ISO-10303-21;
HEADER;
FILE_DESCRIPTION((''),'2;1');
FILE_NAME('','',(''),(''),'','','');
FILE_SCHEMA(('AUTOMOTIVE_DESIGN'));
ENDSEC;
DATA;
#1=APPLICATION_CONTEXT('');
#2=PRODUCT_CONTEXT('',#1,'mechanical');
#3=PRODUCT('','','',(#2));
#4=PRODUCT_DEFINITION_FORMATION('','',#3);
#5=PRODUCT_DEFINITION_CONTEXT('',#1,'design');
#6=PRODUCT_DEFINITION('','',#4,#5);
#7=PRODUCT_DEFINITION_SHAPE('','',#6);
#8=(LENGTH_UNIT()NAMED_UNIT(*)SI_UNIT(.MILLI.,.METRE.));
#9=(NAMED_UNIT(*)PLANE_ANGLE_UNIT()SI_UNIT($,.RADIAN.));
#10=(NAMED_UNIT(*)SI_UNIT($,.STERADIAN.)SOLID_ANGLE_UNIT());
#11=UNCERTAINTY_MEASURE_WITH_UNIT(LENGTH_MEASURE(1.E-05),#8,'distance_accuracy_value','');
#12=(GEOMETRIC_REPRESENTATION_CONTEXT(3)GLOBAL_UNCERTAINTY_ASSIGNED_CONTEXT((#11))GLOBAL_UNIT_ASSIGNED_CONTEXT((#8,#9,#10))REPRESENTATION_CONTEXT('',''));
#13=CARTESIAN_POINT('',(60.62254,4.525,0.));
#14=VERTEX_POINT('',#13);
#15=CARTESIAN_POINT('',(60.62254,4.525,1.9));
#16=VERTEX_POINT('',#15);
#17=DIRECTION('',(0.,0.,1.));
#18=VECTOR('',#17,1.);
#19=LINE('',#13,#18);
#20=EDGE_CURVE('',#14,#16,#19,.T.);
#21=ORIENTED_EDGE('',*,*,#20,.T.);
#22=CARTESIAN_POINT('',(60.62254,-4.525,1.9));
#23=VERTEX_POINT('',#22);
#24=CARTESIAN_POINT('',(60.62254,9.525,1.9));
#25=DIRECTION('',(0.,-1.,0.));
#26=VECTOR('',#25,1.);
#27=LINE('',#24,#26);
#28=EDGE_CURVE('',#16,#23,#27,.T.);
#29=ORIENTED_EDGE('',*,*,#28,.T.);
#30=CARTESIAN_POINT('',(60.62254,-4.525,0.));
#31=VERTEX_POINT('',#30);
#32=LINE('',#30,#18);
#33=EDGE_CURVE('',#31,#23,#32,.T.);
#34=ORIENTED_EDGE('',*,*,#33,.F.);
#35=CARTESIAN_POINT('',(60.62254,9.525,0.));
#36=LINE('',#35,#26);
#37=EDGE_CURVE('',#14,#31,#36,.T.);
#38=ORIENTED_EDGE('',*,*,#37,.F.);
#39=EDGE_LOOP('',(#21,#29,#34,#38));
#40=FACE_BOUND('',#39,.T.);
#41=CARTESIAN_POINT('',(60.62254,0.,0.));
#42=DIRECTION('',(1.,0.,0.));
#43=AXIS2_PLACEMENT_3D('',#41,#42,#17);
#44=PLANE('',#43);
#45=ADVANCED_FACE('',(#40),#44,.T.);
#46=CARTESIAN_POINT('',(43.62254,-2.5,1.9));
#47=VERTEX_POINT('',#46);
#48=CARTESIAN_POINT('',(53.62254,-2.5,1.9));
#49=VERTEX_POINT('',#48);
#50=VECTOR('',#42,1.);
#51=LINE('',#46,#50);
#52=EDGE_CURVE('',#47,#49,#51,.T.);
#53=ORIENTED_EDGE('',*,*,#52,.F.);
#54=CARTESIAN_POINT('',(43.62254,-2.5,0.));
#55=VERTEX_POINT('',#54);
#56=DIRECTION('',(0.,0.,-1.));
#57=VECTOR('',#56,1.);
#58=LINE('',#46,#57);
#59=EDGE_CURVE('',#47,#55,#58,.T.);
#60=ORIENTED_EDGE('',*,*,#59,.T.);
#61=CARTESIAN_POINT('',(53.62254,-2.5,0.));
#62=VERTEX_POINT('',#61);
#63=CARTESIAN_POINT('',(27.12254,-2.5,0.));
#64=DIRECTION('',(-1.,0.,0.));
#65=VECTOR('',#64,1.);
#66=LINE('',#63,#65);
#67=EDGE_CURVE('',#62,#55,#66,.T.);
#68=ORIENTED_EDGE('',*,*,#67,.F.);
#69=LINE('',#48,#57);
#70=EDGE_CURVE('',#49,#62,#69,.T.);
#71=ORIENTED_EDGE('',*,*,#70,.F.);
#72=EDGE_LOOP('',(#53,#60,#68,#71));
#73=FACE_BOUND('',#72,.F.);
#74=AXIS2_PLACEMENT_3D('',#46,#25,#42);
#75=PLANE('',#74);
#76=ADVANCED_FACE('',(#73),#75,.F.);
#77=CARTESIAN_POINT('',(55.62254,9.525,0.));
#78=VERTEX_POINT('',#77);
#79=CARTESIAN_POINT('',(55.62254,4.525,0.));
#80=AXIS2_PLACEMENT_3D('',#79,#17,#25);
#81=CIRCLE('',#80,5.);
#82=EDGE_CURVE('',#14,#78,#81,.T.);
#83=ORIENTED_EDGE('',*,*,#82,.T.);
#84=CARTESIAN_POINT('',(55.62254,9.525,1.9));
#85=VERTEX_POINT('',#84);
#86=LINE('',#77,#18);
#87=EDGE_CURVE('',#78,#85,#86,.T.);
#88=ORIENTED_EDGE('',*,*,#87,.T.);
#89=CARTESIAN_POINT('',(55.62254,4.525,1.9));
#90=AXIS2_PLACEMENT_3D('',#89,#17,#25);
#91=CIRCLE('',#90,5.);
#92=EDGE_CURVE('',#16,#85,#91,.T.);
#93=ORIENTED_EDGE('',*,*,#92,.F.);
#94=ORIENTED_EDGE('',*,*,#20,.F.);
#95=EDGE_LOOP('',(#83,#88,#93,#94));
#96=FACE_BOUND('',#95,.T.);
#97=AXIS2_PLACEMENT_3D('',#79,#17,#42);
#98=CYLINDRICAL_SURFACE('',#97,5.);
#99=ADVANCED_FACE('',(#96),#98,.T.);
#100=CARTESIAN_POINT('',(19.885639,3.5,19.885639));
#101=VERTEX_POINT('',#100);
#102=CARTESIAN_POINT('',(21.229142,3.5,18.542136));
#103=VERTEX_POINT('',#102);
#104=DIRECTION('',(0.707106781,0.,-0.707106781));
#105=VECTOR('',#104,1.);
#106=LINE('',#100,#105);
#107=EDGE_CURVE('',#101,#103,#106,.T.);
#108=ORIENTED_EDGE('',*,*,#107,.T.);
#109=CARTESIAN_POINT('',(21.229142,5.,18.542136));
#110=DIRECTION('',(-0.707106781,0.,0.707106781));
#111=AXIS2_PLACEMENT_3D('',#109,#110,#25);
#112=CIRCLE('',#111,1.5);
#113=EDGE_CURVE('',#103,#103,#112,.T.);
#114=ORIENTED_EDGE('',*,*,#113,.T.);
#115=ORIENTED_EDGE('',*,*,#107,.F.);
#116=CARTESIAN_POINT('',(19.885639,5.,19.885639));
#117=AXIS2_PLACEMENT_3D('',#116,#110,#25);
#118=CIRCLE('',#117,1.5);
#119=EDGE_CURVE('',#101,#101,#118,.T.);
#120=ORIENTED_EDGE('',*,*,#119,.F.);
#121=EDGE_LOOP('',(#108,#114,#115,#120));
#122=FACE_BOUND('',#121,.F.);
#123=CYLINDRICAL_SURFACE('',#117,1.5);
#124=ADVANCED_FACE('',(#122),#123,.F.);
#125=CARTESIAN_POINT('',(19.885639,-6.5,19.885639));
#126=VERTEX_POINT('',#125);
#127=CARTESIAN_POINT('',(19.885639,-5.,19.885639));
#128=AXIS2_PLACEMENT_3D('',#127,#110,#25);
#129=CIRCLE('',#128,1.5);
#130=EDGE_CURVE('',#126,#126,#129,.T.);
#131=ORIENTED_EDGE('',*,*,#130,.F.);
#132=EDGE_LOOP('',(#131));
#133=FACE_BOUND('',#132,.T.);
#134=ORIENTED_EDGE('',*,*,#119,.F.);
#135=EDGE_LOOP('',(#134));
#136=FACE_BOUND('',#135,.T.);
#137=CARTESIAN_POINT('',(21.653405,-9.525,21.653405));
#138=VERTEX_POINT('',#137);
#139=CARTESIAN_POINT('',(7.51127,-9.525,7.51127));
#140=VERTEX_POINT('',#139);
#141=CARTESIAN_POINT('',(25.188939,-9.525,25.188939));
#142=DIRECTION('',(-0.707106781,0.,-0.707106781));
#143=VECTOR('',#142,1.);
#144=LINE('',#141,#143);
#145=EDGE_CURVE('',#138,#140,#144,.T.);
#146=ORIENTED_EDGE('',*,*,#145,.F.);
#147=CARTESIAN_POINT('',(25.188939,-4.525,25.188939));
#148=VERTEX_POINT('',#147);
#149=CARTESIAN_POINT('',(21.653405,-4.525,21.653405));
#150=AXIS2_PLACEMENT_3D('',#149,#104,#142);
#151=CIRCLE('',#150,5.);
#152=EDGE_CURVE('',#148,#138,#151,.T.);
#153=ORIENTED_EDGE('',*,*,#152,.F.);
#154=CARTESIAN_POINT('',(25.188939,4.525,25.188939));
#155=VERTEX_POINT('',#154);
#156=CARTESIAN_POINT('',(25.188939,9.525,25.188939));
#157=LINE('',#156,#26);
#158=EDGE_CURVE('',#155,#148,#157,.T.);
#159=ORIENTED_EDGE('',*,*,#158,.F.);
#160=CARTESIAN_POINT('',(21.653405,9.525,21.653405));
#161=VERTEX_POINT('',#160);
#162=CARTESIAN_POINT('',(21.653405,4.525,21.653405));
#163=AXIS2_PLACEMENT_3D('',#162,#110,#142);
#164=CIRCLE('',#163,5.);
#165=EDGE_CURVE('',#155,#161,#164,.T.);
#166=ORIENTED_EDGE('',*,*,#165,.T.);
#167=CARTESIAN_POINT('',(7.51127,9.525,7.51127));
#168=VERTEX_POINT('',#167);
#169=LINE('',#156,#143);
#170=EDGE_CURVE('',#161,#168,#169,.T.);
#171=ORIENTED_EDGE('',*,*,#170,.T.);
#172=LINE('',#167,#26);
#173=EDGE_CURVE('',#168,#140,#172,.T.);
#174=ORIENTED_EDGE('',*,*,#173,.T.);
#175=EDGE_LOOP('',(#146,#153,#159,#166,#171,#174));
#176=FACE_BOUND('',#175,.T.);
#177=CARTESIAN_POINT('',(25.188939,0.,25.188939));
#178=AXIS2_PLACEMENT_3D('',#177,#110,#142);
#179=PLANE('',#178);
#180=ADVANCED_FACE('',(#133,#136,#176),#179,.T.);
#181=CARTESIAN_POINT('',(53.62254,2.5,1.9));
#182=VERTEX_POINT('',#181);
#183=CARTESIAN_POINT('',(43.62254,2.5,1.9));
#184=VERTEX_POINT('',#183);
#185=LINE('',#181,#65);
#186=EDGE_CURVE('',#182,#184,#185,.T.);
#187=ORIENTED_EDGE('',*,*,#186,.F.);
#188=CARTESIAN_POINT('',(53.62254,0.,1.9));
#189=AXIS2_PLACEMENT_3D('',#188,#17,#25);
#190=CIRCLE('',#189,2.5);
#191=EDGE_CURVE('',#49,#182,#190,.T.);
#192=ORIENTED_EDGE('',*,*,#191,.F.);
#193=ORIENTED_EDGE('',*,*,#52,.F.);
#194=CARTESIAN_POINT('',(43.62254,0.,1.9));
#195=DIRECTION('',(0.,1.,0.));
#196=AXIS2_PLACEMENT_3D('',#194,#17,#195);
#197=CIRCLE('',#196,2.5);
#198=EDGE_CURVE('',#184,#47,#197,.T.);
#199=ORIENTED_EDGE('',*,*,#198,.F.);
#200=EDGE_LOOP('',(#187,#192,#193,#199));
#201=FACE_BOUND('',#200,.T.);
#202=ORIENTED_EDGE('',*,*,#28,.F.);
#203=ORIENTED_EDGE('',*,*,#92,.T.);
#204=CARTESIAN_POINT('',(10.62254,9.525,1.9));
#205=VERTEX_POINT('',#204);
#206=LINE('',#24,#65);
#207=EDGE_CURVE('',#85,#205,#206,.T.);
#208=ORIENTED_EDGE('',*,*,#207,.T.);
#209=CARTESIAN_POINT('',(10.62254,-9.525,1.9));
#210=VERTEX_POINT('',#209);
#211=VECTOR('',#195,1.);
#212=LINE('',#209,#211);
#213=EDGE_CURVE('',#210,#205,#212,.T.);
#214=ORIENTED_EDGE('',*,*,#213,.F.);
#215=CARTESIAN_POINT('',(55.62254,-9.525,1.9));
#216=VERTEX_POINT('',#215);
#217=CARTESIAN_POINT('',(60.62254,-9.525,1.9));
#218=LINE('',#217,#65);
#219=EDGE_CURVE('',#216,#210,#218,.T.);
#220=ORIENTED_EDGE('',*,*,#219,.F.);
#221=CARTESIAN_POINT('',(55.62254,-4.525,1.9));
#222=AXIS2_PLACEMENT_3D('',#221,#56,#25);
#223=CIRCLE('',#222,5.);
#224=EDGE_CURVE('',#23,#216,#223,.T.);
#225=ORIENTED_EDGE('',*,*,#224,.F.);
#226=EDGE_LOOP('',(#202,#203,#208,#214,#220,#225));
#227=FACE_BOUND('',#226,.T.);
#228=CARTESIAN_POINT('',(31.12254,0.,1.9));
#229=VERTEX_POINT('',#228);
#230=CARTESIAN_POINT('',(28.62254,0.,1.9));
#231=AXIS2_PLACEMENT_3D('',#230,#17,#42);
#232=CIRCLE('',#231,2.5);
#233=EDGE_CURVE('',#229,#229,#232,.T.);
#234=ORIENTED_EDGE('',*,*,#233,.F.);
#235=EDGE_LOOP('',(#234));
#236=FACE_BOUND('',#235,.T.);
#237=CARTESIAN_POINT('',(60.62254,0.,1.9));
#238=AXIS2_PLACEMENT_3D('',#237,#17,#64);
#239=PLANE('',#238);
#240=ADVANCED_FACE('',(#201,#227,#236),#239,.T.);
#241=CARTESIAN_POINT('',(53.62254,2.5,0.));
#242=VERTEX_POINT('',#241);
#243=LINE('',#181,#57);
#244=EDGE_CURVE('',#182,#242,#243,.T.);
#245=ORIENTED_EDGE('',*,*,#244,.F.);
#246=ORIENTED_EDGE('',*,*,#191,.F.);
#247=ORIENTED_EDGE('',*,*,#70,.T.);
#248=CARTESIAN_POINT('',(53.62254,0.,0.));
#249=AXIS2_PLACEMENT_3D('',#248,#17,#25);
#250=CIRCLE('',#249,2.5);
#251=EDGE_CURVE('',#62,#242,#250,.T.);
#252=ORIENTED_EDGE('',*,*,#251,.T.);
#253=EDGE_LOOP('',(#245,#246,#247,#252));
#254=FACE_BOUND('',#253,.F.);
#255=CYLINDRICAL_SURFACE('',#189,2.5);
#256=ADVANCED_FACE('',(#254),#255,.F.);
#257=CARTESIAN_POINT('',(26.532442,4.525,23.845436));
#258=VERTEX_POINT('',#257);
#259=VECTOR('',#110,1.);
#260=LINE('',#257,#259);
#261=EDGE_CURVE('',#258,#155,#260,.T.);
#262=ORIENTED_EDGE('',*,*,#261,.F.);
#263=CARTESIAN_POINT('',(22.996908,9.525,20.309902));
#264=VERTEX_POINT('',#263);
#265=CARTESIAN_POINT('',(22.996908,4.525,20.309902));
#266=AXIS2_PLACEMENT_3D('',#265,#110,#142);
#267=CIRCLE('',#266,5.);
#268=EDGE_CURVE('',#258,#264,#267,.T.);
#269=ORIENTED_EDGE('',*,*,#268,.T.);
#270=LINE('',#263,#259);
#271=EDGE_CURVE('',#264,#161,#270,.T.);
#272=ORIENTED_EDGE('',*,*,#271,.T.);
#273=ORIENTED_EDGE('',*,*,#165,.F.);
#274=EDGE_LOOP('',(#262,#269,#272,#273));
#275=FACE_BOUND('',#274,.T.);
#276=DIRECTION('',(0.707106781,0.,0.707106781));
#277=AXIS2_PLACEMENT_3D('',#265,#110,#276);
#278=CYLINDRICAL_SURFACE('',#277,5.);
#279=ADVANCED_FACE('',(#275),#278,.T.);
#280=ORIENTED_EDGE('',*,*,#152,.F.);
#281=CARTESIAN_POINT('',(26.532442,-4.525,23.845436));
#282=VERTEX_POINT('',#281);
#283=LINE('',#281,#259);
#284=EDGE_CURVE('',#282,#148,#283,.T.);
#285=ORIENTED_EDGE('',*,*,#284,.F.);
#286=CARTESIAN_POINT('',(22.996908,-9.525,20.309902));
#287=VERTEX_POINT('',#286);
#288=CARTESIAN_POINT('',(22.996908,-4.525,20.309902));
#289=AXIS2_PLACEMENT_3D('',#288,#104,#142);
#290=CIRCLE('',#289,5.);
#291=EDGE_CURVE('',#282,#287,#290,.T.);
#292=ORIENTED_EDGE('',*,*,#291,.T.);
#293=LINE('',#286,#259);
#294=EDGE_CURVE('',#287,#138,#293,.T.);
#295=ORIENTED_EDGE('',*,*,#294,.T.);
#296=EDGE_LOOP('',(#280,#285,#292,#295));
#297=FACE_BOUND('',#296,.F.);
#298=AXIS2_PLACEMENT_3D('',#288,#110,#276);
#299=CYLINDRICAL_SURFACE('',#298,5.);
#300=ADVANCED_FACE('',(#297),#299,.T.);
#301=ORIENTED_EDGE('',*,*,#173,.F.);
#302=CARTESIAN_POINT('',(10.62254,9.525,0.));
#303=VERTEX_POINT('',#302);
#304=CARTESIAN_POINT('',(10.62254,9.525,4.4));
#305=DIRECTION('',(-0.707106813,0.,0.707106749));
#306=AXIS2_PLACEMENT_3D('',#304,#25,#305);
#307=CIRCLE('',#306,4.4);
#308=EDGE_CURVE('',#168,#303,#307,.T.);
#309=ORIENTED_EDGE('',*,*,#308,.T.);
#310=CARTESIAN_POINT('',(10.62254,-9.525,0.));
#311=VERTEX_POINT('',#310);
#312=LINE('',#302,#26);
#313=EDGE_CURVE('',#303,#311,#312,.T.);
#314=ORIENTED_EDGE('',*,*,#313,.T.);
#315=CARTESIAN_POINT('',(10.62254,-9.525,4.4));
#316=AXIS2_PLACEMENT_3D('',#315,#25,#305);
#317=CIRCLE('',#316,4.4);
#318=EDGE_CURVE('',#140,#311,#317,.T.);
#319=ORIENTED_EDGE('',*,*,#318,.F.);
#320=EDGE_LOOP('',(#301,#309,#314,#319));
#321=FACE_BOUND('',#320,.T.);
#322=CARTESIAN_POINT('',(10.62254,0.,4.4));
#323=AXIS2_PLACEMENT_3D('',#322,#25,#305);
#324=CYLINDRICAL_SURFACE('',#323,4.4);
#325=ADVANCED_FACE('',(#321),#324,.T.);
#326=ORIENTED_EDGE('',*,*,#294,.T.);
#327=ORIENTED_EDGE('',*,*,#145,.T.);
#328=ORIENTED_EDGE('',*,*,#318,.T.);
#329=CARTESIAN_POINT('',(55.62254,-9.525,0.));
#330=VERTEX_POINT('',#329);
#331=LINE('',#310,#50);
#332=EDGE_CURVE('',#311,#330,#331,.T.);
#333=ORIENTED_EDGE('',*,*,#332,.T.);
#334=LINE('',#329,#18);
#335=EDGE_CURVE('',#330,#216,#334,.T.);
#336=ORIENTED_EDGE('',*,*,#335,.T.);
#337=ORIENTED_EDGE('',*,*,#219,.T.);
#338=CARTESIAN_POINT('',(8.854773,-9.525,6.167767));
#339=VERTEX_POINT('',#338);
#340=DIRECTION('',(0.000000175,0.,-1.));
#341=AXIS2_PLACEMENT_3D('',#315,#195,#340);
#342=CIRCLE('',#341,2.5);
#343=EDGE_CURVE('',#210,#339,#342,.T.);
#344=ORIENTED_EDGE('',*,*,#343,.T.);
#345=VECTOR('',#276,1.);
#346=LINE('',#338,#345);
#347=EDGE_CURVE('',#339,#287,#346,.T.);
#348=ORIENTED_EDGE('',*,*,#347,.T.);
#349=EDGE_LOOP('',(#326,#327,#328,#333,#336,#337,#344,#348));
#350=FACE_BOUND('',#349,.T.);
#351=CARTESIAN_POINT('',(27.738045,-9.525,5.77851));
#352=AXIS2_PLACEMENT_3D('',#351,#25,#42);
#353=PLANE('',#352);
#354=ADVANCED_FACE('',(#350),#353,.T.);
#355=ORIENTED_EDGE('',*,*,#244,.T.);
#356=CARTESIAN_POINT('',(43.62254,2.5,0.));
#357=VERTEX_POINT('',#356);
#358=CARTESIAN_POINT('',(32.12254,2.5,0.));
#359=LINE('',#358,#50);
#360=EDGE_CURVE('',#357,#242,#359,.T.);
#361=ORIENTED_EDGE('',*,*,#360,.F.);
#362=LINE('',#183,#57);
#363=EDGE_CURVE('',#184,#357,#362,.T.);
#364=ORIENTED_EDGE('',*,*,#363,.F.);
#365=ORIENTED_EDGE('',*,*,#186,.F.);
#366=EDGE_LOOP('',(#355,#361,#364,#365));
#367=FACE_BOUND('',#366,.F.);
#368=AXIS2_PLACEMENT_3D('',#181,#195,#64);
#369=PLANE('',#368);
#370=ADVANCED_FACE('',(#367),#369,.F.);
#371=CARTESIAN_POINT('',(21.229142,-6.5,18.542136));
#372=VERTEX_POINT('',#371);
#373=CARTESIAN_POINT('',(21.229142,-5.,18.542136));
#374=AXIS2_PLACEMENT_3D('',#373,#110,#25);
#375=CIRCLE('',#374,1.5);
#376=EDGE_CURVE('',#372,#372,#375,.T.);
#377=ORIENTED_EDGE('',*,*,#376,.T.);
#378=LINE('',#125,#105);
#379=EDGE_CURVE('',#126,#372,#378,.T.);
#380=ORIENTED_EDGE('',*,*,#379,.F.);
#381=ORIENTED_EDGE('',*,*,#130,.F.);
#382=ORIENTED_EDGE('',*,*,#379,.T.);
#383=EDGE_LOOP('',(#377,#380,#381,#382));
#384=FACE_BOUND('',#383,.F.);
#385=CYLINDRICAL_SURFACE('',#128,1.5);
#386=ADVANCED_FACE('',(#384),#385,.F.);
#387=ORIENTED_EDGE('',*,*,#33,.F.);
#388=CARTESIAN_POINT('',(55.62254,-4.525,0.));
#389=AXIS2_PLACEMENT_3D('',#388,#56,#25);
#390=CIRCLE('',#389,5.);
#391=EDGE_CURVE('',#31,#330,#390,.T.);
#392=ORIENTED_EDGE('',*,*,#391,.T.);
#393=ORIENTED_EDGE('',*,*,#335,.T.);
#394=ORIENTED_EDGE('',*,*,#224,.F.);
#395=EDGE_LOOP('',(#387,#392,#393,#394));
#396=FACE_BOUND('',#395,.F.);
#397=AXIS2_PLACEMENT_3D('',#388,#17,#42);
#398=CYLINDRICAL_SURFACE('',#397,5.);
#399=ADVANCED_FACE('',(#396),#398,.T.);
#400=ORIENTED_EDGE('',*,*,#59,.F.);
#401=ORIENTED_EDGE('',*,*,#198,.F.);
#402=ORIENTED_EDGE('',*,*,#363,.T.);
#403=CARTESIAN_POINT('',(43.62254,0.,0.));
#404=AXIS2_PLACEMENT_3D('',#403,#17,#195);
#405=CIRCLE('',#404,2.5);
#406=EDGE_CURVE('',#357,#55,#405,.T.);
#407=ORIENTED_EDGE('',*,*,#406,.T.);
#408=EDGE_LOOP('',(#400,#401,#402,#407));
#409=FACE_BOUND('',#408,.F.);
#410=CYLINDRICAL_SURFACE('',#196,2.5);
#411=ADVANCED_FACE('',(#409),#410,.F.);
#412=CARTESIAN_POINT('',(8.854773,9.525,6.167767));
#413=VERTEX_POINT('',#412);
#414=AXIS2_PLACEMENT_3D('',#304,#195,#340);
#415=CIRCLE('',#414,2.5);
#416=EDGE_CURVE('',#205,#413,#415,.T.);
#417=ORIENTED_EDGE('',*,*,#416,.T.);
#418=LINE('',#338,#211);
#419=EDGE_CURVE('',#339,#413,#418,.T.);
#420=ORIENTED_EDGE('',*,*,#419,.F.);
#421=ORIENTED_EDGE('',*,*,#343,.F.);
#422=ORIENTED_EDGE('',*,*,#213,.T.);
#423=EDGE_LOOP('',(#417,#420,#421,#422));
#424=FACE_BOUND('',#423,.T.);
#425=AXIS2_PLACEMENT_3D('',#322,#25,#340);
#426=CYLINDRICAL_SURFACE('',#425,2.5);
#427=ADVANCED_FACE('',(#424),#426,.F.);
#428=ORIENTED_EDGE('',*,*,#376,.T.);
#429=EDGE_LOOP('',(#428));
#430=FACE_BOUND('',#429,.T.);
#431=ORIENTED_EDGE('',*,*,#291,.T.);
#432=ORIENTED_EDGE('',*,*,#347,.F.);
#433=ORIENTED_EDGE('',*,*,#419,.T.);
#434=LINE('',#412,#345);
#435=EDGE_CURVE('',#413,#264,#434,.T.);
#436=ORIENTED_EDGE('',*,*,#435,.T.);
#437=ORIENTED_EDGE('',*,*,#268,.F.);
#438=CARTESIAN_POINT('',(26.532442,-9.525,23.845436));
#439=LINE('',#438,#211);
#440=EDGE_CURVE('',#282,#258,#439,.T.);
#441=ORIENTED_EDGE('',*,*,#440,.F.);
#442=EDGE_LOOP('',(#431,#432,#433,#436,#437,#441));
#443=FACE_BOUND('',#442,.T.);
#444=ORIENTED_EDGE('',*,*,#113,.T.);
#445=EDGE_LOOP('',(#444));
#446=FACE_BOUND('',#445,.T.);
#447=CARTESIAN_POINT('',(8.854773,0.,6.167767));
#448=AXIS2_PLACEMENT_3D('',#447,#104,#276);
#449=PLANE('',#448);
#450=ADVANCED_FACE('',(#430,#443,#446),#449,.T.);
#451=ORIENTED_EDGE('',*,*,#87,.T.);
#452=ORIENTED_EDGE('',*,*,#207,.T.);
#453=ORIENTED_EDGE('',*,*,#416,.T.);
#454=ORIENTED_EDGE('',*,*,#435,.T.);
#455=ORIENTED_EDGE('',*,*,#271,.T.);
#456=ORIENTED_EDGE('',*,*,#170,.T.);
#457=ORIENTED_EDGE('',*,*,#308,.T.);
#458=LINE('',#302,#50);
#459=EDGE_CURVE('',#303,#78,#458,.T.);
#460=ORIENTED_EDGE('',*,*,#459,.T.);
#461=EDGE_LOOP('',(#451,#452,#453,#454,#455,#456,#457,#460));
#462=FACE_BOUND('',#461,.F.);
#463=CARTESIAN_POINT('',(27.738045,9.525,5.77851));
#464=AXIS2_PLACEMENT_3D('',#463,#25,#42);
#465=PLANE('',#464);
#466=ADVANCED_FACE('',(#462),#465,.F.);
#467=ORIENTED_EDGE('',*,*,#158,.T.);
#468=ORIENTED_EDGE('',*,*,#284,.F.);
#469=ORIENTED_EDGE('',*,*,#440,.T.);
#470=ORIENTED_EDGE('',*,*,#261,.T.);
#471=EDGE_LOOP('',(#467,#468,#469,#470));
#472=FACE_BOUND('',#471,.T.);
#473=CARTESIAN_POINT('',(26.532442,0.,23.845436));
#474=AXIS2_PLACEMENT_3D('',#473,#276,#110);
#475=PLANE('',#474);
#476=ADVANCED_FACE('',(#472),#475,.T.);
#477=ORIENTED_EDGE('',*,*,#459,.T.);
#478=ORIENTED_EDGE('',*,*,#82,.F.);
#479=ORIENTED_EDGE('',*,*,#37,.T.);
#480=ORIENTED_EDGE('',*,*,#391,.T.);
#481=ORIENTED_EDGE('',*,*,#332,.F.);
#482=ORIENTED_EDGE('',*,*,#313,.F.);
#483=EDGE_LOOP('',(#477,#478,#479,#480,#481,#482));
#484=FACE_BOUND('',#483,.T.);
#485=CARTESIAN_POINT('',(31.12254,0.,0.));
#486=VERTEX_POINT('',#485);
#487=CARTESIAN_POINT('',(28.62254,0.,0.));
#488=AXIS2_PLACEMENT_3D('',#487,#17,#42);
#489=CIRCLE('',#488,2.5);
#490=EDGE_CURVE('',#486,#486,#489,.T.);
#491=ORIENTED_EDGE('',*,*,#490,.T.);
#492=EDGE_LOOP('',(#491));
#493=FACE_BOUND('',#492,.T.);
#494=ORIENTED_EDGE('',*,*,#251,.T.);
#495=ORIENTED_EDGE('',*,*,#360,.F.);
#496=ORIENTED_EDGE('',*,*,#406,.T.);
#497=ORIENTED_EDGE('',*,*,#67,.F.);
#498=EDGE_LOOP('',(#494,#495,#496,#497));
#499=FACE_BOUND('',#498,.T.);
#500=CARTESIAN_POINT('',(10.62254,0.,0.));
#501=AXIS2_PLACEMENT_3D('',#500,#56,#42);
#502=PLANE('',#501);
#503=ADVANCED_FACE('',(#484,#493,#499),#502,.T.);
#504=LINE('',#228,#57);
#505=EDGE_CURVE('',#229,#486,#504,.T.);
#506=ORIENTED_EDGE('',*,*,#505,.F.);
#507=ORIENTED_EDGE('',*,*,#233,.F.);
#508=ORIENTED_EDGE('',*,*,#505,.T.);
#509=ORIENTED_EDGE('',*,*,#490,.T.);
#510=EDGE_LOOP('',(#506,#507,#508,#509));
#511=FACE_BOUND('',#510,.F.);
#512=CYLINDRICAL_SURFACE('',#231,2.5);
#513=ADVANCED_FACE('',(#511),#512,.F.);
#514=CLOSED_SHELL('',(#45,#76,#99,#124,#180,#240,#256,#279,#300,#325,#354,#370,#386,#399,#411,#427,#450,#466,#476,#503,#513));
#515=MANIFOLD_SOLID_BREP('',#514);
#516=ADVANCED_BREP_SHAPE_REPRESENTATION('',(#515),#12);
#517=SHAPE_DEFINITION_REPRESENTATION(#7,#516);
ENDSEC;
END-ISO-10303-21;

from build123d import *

# Parameters (mm, degrees)
F1_DEPTH = 9.525
F2_R     = 5
F3_R     = 1.5
F4_DEPTH = 1.9
F5_R     = 2.5
F6_DEPTH = 1.901


with BuildPart() as f1:
    # F0 (on Front) → F1 (new body, symmetric)
    with BuildSketch(Plane.XZ):
        with BuildLine():
            Line((26.532442, 23.845436), (25.188939, 25.188939))
            Line((25.188939, 25.188939), (7.51127, 7.51127))
            ThreePointArc((7.51127, 7.51127), (6.55747, 2.716193), (10.62254, 0))
            Line((10.62254, 0), (60.62254, 0))
            Line((60.62254, 0), (60.62254, 1.9))
            Line((60.62254, 1.9), (10.62254, 1.9))
            ThreePointArc((10.62254, 1.9), (8.312841, 3.443291), (8.854773, 6.167767))
            Line((8.854773, 6.167767), (26.532442, 23.845436))
        make_face()
    extrude(amount=F1_DEPTH, both=True)

    # F2
    f2_edges = [f1.edges().sort_by_distance(p)[0] for p in [
        (25.860691, -9.525, 24.517188),
        (25.860691, 9.525, 24.517188),
        (60.62254, 9.525, 0.95),
        (60.62254, -9.525, 0.95),
    ]]
    fillet(f2_edges, radius=F2_R)

    # F3 (on face) → F4 (cut, through all)
    with BuildSketch(Plane(origin=(0, 0, 0), x_dir=(0, -1, 0), z_dir=(-0.707107, 0, 0.707107))):
        with Locations((-5, 28.12254)):
            Circle(F3_R)
        with Locations((5, 28.12254)):
            Circle(F3_R)
    extrude(amount=-F4_DEPTH, mode=Mode.SUBTRACT)

    # F5 (on face) → F6 (cut, through all)
    with BuildSketch(Plane.XY.offset(1.9)):
        with Locations((28.62254, 0)):
            Circle(F5_R)
        with BuildLine():
            ThreePointArc((43.62254, 2.5), (41.12254, 0), (43.62254, -2.5))
            Line((43.62254, -2.5), (53.62254, -2.5))
            ThreePointArc((53.62254, -2.5), (56.12254, 0), (53.62254, 2.5))
            Line((53.62254, 2.5), (43.62254, 2.5))
        make_face()
    extrude(amount=-F6_DEPTH, mode=Mode.SUBTRACT)


solid = f1.part
